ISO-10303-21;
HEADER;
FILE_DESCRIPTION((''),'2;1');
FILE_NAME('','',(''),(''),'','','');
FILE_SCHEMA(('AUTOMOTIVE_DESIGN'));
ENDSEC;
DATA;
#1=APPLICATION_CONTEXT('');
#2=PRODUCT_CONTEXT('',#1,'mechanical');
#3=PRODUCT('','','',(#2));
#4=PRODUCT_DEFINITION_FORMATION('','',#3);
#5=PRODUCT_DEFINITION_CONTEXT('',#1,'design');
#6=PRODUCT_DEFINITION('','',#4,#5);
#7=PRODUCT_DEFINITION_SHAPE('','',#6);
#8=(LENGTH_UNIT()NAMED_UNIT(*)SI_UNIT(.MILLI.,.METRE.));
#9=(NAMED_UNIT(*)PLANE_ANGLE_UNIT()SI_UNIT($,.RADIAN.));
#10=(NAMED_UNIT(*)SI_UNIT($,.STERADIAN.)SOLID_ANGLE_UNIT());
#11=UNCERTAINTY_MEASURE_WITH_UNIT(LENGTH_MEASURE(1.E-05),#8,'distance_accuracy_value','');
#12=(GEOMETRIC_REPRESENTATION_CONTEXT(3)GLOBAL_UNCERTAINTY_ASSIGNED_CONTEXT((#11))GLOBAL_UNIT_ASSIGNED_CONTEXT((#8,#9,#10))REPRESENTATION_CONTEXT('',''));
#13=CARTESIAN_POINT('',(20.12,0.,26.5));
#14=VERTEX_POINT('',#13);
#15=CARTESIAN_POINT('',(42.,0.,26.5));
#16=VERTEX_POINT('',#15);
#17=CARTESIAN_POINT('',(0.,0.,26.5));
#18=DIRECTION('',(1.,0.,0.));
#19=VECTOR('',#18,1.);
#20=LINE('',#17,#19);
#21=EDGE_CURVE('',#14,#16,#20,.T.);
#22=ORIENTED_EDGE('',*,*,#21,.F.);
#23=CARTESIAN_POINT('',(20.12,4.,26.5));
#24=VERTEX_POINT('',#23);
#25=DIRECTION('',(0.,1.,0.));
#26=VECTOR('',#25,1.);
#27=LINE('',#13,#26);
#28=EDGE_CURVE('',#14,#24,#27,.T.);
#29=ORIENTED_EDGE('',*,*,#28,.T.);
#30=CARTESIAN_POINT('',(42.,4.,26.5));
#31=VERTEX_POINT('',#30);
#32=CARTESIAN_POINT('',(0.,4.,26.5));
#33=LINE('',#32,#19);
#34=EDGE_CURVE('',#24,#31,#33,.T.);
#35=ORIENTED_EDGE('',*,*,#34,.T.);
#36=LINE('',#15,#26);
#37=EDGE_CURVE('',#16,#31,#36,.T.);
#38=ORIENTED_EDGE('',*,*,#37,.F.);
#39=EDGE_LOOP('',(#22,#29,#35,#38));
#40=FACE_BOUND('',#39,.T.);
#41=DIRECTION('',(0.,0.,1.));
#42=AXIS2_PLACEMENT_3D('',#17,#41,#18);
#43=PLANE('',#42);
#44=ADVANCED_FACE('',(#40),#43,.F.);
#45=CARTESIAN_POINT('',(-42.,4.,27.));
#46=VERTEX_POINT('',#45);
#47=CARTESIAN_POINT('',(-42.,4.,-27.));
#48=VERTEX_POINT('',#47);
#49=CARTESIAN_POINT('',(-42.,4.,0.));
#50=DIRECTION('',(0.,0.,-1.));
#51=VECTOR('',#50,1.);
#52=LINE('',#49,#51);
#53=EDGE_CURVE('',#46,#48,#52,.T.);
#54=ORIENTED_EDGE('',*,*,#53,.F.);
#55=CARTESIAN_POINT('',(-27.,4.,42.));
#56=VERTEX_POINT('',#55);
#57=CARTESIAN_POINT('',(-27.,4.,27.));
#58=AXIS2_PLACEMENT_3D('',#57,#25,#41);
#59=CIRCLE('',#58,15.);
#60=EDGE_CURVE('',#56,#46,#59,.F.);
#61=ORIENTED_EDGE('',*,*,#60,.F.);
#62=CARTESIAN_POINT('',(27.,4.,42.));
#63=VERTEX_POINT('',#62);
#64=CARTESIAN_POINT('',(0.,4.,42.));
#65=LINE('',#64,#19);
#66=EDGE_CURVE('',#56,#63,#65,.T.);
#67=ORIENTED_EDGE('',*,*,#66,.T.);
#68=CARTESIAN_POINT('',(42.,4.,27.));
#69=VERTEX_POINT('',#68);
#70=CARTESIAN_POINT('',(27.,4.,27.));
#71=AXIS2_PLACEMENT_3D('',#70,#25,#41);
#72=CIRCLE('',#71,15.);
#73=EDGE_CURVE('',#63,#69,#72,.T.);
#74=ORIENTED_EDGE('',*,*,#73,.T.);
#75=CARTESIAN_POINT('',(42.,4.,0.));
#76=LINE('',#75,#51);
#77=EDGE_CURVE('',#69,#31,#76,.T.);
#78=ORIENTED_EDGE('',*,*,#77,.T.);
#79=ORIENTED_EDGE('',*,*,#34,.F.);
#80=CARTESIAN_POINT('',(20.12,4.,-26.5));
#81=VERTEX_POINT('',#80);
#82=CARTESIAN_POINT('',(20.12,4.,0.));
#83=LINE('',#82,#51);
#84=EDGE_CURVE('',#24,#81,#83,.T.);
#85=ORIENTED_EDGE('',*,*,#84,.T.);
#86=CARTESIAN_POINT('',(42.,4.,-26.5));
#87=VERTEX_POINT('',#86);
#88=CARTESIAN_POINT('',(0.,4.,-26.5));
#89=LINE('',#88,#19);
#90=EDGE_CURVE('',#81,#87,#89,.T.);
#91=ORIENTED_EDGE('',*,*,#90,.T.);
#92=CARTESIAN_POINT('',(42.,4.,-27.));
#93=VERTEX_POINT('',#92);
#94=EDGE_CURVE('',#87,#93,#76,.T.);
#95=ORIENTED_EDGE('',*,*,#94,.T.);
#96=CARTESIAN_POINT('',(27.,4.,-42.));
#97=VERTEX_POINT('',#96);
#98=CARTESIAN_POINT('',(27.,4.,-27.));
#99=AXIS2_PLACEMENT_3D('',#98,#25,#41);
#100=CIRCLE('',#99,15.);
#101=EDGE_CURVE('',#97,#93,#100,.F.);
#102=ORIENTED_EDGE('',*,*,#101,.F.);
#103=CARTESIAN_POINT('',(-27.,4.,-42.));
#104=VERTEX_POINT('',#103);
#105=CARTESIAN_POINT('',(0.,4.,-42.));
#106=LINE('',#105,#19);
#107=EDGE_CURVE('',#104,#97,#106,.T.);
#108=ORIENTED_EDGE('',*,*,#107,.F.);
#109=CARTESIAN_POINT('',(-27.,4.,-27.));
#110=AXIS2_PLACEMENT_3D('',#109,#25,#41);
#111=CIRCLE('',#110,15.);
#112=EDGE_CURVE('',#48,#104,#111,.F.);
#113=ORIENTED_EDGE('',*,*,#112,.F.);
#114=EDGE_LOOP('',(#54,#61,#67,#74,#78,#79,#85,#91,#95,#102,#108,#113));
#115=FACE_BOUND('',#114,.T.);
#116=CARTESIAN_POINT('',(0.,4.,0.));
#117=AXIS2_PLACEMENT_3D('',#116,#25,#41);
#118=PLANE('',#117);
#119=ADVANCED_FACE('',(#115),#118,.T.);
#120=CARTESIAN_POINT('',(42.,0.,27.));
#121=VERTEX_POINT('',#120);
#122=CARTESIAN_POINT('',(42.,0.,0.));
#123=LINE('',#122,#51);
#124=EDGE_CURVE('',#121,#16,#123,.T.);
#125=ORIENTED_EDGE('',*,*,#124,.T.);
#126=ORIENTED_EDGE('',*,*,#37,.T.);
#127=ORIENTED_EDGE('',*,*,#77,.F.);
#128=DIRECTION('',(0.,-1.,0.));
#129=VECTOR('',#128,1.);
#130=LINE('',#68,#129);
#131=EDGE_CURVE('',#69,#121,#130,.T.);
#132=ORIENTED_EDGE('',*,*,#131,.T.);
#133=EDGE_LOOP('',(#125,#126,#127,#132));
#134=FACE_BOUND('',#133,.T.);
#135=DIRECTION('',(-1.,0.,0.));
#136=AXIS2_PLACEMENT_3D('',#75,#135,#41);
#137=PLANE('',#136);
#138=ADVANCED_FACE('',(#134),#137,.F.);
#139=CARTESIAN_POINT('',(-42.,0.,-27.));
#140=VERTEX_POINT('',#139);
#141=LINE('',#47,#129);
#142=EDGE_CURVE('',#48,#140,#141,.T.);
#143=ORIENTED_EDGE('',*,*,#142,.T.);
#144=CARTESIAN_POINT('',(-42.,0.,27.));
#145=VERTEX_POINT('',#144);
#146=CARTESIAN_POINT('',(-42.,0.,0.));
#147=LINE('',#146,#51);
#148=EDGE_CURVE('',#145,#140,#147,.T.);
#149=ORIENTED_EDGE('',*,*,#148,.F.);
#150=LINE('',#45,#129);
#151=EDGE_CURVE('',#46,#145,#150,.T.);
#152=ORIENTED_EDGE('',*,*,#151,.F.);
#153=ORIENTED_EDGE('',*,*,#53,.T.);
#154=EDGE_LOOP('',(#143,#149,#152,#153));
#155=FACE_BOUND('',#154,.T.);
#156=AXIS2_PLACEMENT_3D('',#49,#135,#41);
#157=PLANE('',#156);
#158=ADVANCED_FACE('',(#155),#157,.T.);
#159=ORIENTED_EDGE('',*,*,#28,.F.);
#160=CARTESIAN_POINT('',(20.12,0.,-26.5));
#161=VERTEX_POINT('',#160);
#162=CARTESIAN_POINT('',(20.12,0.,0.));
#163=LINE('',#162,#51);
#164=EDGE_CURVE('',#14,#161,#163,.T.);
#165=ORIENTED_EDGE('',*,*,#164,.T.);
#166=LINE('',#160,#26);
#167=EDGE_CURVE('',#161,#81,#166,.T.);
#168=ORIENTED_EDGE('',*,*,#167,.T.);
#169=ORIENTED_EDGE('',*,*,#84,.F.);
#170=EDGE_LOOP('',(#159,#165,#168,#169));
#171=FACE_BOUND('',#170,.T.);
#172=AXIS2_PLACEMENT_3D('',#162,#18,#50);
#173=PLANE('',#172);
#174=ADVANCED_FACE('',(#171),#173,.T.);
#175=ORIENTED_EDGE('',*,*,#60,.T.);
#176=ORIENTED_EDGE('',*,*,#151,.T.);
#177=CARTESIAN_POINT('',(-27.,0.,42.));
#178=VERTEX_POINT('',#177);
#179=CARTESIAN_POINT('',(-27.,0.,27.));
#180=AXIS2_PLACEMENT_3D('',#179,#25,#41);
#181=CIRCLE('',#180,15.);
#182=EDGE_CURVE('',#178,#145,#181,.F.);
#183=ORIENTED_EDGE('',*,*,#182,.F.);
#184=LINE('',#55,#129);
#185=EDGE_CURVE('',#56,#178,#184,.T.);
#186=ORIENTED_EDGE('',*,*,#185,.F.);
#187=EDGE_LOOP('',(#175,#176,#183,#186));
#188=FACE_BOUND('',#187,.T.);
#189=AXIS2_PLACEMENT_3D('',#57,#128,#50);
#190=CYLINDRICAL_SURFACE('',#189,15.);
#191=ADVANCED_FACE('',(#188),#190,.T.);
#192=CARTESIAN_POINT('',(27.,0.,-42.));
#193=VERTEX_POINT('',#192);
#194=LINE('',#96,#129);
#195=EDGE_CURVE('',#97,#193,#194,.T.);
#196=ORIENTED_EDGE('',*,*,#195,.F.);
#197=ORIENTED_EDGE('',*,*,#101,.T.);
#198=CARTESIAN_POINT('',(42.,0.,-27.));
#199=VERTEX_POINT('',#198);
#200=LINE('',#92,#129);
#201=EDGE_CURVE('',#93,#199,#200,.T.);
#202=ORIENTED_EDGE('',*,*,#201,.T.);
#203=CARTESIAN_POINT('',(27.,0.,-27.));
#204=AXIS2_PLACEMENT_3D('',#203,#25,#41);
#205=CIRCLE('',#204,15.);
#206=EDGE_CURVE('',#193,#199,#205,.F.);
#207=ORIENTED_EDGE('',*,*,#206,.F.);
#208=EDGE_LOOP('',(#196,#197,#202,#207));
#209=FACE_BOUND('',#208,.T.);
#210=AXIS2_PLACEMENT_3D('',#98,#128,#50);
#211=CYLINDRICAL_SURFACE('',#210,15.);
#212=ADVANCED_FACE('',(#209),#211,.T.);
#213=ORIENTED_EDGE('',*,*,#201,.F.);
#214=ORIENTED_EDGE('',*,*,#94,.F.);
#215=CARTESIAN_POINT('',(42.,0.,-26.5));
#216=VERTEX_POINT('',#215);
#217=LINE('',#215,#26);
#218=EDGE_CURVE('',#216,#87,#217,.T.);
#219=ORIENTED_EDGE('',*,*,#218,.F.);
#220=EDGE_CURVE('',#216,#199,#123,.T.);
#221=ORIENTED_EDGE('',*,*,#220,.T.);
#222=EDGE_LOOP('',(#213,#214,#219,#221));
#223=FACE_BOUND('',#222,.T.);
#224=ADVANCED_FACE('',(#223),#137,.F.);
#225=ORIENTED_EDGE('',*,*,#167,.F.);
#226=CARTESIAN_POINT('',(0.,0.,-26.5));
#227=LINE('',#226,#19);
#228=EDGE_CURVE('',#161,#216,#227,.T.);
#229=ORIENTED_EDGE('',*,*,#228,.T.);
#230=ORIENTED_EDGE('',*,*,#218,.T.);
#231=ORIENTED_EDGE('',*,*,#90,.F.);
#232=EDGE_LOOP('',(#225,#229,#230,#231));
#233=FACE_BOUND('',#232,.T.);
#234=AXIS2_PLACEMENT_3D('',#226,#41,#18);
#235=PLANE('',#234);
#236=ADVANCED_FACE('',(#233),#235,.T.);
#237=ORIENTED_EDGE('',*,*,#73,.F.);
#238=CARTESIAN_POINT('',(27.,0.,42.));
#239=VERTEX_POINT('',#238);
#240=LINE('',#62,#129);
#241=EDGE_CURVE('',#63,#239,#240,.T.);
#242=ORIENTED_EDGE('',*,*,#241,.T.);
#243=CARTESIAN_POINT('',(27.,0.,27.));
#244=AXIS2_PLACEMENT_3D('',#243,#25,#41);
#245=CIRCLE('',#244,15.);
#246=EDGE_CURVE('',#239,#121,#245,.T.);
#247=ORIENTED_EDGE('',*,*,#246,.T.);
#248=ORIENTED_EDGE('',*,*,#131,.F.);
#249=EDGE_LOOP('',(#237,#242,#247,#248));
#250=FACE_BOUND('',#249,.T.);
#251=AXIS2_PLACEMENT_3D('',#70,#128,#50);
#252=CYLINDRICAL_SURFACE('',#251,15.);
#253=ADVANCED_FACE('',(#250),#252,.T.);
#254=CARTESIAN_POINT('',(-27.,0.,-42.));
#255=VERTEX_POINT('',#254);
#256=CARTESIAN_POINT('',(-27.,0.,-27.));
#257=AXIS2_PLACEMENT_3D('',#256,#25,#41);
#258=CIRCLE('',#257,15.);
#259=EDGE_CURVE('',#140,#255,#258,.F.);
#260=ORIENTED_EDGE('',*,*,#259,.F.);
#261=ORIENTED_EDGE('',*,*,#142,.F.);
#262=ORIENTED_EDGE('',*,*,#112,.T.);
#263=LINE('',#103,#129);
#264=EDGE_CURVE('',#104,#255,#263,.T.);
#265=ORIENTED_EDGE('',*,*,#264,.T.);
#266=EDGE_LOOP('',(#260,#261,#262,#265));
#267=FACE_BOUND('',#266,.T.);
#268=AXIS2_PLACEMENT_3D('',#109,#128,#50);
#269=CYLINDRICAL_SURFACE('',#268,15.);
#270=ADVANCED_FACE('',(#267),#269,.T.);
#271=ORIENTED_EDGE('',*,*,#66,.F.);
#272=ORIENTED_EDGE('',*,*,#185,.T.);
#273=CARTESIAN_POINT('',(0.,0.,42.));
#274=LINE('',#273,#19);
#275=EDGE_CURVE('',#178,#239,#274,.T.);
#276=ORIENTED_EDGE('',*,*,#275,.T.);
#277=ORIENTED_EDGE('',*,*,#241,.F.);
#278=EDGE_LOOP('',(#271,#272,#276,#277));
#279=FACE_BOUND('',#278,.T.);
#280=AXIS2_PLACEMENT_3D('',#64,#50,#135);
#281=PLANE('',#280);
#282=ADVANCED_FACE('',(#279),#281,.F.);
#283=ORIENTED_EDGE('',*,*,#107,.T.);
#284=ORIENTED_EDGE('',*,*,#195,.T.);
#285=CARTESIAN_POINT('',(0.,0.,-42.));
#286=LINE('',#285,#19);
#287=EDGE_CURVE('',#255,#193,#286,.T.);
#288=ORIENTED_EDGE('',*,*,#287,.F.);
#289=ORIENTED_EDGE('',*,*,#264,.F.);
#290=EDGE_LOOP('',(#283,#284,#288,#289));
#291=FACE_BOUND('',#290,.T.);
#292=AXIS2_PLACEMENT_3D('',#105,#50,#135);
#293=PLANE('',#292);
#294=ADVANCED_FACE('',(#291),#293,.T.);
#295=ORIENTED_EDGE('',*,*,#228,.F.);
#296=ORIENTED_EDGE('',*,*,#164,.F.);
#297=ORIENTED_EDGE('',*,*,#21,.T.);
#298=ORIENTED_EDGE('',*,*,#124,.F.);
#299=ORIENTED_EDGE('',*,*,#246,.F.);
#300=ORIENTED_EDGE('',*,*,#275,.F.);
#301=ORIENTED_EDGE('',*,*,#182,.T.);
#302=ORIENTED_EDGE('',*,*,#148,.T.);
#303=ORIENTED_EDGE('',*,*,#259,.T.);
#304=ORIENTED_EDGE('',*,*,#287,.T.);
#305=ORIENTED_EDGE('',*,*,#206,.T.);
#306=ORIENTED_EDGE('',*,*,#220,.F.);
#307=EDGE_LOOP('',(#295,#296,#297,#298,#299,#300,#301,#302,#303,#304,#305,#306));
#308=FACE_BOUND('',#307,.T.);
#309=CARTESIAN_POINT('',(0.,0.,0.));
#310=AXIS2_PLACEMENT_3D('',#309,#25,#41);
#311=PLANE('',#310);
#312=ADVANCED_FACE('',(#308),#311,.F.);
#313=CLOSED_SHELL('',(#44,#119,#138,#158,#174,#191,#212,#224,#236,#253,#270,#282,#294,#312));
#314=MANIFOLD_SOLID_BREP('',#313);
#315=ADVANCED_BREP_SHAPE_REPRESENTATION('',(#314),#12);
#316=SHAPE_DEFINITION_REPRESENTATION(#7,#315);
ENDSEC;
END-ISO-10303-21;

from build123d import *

# Parameters (mm, degrees)
BOSS_EXTRUDE1_DEPTH = 4
SKETCH4_W           = 21.88
SKETCH4_H           = 53
CUT_EXTRUDE1_DEPTH  = 4


with BuildPart() as part:
    # Layer1 → Boss-Extrude1 (new body)
    with BuildSketch(Plane(origin=(0, 0, 0), x_dir=(1, 0, 0), z_dir=(0, 1, 0))):
        with BuildLine():
            Line((27, 42), (11.25, 42))
            Line((11.25, 42), (-27, 42))
            ThreePointArc((-27, 42), (-37.606601718, 37.606601718), (-42, 27))
            Line((-42, 27), (-42, 21.5))
            Line((-42, 21.5), (-42, -21.5))
            Line((-42, -21.5), (-42, -27))
            ThreePointArc((-42, -27), (-37.606601718, -37.606601718), (-27, -42))
            Line((-27, -42), (11.25, -42))
            Line((11.25, -42), (27, -42))
            ThreePointArc((27, -42), (37.606601718, -37.606601718), (42, -27))
            Line((42, -27), (42, 27))
            ThreePointArc((42, 27), (37.606601718, 37.606601718), (27, 42))
        make_face()
    extrude(amount=BOSS_EXTRUDE1_DEPTH)

    # Sketch4 → Cut-Extrude1 (cut)
    with BuildSketch(Plane(origin=(0, 4, 0), x_dir=(1, 0, 0), z_dir=(0, 1, 0))):
        with Locations((31.06, 0)):
            Rectangle(SKETCH4_W, SKETCH4_H)
    extrude(amount=-CUT_EXTRUDE1_DEPTH, mode=Mode.SUBTRACT)


solid = part.part
